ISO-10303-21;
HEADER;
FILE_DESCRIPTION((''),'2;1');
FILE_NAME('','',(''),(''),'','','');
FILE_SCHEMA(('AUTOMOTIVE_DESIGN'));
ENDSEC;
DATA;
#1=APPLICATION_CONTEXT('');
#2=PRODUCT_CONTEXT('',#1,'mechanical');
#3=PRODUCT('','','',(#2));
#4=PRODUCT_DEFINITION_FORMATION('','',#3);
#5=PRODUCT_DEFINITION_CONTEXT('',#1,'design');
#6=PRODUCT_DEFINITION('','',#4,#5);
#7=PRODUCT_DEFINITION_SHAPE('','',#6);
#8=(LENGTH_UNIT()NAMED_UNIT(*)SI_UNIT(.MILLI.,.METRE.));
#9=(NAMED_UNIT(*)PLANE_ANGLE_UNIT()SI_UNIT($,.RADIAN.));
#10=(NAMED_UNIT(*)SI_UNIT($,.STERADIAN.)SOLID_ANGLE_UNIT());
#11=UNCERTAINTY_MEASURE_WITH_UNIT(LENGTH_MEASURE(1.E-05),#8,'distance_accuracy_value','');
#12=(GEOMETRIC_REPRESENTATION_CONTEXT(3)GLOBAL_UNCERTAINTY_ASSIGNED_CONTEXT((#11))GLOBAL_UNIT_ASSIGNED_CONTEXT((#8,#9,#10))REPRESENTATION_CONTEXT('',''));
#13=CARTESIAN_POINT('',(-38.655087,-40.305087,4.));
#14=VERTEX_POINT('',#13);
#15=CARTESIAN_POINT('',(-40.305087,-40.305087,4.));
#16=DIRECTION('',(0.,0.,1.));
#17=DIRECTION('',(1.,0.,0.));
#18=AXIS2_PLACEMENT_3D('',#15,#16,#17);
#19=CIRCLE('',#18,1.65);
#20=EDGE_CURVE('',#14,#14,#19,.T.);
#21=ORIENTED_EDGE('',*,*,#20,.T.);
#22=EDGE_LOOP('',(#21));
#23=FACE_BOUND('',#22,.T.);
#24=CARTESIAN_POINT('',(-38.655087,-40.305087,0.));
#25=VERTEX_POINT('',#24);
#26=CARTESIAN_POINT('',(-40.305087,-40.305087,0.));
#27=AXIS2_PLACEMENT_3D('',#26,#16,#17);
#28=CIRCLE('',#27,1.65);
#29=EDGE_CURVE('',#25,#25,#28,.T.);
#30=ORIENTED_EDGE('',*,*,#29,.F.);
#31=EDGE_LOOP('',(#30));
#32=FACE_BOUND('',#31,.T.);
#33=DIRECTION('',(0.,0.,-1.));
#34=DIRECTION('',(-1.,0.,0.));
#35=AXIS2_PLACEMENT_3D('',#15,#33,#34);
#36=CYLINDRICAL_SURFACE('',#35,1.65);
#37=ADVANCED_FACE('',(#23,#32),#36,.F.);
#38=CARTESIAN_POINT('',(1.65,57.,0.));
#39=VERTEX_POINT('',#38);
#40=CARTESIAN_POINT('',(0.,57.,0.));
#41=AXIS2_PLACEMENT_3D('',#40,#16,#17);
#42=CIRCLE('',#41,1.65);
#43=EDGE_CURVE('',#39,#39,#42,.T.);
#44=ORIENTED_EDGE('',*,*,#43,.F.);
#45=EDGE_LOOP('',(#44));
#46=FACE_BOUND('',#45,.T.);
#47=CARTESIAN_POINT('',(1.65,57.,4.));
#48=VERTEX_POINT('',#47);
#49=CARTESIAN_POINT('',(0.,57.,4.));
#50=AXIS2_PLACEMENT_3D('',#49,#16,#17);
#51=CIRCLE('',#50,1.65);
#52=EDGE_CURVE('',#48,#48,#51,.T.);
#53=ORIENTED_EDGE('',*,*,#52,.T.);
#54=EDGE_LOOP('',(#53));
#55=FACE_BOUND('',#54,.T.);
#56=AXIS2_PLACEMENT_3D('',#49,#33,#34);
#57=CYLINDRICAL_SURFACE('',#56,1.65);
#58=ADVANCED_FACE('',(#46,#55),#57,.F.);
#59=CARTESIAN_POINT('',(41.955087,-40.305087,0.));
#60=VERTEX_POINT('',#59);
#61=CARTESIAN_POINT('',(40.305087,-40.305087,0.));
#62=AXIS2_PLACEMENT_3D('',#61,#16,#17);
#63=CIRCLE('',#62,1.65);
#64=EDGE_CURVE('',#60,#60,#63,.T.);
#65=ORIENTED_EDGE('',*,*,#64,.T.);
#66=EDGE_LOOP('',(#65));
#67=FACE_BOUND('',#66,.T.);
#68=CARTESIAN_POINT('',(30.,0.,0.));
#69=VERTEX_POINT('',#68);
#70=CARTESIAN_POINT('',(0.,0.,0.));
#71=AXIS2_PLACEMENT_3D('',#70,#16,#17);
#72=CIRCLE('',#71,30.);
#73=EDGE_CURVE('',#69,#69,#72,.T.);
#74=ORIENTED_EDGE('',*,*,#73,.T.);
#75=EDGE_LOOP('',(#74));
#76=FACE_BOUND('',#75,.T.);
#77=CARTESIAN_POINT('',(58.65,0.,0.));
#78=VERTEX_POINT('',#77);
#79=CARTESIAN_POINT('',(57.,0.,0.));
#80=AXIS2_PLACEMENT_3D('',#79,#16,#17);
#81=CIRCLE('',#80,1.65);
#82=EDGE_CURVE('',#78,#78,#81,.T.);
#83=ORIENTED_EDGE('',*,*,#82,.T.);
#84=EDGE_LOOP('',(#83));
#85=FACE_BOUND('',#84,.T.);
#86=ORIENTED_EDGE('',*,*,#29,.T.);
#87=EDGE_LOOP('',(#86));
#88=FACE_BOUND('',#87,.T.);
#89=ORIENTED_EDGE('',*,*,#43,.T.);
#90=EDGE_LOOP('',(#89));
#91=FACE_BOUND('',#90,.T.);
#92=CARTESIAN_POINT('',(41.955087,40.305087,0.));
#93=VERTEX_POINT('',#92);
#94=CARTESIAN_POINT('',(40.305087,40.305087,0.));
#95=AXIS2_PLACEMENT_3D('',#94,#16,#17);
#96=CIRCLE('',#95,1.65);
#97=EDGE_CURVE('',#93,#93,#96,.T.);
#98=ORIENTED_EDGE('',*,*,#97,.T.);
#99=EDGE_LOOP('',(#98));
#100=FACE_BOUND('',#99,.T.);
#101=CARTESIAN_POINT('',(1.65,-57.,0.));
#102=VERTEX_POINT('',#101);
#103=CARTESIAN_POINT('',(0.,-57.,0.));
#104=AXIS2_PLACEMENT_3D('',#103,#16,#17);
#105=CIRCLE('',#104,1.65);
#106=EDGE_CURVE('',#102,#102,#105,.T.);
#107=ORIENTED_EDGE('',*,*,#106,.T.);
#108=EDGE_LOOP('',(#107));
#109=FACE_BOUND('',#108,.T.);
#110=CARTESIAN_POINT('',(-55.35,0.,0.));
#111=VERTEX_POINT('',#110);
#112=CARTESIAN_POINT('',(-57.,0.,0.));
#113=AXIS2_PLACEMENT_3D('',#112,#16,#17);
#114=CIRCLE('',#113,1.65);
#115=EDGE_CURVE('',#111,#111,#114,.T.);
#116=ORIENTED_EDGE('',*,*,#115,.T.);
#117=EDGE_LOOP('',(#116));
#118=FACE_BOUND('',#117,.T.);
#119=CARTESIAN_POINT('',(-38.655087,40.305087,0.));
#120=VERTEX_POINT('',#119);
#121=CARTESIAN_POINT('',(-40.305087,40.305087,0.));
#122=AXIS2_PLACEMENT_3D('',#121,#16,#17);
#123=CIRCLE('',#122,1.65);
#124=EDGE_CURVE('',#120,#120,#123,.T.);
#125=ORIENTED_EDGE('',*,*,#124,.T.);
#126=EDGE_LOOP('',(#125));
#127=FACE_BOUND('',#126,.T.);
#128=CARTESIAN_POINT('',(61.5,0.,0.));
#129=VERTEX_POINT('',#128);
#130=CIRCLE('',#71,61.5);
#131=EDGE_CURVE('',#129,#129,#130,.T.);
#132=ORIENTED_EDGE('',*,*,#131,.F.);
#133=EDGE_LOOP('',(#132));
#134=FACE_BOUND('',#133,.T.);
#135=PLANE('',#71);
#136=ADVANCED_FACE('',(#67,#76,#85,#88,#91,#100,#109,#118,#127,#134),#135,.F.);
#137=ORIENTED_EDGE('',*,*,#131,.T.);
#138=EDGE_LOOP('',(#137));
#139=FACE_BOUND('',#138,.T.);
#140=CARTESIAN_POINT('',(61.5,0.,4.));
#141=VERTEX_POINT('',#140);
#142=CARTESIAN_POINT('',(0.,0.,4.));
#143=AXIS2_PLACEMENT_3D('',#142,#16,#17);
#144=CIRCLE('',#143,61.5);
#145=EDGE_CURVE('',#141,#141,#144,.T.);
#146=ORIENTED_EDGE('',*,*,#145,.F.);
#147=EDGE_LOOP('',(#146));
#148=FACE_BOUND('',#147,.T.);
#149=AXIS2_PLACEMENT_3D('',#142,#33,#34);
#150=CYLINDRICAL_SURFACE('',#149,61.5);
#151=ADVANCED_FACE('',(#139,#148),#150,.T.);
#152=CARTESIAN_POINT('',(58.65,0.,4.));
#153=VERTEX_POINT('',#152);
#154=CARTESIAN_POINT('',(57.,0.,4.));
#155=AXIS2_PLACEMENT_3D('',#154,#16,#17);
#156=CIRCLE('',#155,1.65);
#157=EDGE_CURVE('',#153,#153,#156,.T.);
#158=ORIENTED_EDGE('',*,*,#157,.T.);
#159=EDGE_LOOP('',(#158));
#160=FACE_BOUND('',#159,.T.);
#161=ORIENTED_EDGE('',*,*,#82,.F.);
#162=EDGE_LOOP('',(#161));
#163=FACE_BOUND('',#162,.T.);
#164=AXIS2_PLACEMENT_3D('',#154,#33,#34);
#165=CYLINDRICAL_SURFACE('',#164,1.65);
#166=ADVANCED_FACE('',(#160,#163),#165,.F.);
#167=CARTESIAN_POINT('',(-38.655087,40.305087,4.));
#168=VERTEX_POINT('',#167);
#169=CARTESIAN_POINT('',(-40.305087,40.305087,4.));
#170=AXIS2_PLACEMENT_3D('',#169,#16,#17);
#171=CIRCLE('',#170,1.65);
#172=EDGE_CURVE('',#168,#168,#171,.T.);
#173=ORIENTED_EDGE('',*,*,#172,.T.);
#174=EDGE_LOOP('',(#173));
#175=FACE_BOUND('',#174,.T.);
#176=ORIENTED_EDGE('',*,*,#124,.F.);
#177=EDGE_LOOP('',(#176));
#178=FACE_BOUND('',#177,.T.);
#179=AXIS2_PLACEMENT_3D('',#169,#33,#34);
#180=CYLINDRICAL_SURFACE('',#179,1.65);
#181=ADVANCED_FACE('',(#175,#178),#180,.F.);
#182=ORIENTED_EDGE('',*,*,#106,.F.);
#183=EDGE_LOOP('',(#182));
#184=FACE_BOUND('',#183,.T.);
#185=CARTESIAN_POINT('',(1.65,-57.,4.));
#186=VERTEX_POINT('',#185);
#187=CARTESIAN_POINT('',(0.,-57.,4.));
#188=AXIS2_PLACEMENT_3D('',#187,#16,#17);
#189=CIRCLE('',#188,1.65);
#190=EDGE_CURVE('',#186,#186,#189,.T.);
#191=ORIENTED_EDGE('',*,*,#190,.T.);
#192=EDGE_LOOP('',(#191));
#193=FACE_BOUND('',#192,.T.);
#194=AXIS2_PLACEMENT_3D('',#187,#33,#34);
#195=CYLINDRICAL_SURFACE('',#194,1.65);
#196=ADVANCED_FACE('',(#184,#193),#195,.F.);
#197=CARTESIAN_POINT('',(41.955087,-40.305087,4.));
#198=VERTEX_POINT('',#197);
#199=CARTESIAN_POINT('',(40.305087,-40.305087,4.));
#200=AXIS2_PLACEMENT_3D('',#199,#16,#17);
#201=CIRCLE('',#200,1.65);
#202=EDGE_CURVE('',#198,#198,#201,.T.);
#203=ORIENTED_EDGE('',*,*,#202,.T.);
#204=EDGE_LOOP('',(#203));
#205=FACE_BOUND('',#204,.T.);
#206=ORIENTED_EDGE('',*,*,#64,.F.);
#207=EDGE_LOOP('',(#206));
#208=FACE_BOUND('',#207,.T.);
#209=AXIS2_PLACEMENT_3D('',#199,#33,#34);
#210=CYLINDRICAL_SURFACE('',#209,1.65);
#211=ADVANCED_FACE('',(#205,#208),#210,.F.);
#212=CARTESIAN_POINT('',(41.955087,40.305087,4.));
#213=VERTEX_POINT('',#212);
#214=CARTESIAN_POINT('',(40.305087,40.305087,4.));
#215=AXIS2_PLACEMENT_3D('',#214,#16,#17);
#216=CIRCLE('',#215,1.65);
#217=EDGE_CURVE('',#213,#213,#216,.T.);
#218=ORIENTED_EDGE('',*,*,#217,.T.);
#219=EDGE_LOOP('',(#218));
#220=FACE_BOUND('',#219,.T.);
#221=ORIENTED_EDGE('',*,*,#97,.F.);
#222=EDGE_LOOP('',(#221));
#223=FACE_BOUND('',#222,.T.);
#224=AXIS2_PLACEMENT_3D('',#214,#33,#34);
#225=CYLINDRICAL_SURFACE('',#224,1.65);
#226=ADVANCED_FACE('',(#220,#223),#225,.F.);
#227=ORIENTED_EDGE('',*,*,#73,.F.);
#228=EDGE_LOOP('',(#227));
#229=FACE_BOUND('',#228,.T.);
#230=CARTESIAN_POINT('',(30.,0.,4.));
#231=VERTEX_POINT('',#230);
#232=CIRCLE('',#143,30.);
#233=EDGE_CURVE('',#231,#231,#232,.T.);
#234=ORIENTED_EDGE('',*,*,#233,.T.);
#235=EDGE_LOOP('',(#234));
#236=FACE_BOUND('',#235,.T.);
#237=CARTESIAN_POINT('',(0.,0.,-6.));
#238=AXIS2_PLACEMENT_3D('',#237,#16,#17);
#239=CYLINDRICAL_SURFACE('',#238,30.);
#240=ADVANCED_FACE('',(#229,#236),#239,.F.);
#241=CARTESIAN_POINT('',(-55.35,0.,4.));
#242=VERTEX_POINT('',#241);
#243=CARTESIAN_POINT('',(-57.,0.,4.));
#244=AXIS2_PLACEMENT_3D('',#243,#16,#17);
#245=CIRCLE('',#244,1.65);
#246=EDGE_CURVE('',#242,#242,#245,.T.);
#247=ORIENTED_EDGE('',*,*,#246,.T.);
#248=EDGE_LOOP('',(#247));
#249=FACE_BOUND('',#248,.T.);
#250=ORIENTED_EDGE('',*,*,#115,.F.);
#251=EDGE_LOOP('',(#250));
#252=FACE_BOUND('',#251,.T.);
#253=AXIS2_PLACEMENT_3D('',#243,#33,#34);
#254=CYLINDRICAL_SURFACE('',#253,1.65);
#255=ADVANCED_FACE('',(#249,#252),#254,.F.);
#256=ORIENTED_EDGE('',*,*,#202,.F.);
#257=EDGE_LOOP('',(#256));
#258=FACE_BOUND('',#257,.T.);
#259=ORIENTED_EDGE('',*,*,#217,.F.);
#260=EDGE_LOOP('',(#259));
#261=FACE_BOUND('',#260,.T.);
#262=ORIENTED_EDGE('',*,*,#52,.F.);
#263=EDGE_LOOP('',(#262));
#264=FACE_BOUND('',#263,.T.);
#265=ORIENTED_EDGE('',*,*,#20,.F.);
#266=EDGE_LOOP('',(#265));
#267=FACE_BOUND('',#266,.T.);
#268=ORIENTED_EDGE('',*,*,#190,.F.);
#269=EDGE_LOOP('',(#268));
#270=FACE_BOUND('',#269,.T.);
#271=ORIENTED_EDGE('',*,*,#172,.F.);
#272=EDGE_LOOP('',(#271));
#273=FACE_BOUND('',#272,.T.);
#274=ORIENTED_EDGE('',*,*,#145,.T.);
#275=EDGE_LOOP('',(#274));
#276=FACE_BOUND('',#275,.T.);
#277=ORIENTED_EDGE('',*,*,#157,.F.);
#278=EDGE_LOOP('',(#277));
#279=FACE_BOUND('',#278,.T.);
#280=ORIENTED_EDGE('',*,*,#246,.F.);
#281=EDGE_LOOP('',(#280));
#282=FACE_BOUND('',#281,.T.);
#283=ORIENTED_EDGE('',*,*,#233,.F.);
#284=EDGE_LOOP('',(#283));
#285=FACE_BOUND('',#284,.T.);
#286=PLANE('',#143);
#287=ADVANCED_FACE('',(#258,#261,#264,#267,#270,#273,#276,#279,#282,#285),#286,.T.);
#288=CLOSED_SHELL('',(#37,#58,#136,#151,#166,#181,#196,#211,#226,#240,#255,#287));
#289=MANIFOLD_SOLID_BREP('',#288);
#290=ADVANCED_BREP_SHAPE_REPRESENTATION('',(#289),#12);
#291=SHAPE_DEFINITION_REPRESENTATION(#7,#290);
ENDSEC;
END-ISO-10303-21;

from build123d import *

# Parameters (mm, degrees)
SKETCH_1_R          = 61.5
SKETCH_1_R_2        = 1.65
SKETCH_1_R_3        = 2.6
SKETCH_1_R_4        = 15.5
EXTRUDE_1_DEPTH     = 4
SKETCH_2_R          = 30
CUT_EXTRUDE_1_DEPTH = 10


with BuildPart() as part:
    # 草图1 → 凸台-拉伸1 (new body)
    with BuildSketch(Plane.XY):
        Circle(SKETCH_1_R)
        with Locations((0, -57)):
            Circle(SKETCH_1_R_2, mode=Mode.SUBTRACT)
        with Locations((-40.305086528, -40.305086528)):
            Circle(SKETCH_1_R_2, mode=Mode.SUBTRACT)
        with Locations((-57, 0)):
            Circle(SKETCH_1_R_2, mode=Mode.SUBTRACT)
        with Locations((-40.305086528, 40.305086528)):
            Circle(SKETCH_1_R_2, mode=Mode.SUBTRACT)
        with Locations((0, -23.75)):
            Circle(SKETCH_1_R_3, mode=Mode.SUBTRACT)
        with Locations((-20.56810334, 11.875)):
            Circle(SKETCH_1_R_3, mode=Mode.SUBTRACT)
        with Locations((20.56810334, 11.875)):
            Circle(SKETCH_1_R_3, mode=Mode.SUBTRACT)
        with Locations((19.485571585, -11.25)):
            Circle(SKETCH_1_R_3, mode=Mode.SUBTRACT)
        with Locations((-19.485571585, -11.25)):
            Circle(SKETCH_1_R_3, mode=Mode.SUBTRACT)
        with Locations((0, 22.5)):
            Circle(SKETCH_1_R_3, mode=Mode.SUBTRACT)
        Circle(SKETCH_1_R_4, mode=Mode.SUBTRACT)
        with Locations((0, 57)):
            Circle(SKETCH_1_R_2, mode=Mode.SUBTRACT)
        with Locations((40.305086528, 40.305086528)):
            Circle(SKETCH_1_R_2, mode=Mode.SUBTRACT)
        with Locations((57, 0)):
            Circle(SKETCH_1_R_2, mode=Mode.SUBTRACT)
        with Locations((40.305086528, -40.305086528)):
            Circle(SKETCH_1_R_2, mode=Mode.SUBTRACT)
    extrude(amount=EXTRUDE_1_DEPTH)

    # 草图2 → 切除-拉伸1 (cut)
    with BuildSketch(Plane.XY.offset(4)):
        Circle(SKETCH_2_R)
    extrude(amount=-CUT_EXTRUDE_1_DEPTH, mode=Mode.SUBTRACT)


solid = part.part
